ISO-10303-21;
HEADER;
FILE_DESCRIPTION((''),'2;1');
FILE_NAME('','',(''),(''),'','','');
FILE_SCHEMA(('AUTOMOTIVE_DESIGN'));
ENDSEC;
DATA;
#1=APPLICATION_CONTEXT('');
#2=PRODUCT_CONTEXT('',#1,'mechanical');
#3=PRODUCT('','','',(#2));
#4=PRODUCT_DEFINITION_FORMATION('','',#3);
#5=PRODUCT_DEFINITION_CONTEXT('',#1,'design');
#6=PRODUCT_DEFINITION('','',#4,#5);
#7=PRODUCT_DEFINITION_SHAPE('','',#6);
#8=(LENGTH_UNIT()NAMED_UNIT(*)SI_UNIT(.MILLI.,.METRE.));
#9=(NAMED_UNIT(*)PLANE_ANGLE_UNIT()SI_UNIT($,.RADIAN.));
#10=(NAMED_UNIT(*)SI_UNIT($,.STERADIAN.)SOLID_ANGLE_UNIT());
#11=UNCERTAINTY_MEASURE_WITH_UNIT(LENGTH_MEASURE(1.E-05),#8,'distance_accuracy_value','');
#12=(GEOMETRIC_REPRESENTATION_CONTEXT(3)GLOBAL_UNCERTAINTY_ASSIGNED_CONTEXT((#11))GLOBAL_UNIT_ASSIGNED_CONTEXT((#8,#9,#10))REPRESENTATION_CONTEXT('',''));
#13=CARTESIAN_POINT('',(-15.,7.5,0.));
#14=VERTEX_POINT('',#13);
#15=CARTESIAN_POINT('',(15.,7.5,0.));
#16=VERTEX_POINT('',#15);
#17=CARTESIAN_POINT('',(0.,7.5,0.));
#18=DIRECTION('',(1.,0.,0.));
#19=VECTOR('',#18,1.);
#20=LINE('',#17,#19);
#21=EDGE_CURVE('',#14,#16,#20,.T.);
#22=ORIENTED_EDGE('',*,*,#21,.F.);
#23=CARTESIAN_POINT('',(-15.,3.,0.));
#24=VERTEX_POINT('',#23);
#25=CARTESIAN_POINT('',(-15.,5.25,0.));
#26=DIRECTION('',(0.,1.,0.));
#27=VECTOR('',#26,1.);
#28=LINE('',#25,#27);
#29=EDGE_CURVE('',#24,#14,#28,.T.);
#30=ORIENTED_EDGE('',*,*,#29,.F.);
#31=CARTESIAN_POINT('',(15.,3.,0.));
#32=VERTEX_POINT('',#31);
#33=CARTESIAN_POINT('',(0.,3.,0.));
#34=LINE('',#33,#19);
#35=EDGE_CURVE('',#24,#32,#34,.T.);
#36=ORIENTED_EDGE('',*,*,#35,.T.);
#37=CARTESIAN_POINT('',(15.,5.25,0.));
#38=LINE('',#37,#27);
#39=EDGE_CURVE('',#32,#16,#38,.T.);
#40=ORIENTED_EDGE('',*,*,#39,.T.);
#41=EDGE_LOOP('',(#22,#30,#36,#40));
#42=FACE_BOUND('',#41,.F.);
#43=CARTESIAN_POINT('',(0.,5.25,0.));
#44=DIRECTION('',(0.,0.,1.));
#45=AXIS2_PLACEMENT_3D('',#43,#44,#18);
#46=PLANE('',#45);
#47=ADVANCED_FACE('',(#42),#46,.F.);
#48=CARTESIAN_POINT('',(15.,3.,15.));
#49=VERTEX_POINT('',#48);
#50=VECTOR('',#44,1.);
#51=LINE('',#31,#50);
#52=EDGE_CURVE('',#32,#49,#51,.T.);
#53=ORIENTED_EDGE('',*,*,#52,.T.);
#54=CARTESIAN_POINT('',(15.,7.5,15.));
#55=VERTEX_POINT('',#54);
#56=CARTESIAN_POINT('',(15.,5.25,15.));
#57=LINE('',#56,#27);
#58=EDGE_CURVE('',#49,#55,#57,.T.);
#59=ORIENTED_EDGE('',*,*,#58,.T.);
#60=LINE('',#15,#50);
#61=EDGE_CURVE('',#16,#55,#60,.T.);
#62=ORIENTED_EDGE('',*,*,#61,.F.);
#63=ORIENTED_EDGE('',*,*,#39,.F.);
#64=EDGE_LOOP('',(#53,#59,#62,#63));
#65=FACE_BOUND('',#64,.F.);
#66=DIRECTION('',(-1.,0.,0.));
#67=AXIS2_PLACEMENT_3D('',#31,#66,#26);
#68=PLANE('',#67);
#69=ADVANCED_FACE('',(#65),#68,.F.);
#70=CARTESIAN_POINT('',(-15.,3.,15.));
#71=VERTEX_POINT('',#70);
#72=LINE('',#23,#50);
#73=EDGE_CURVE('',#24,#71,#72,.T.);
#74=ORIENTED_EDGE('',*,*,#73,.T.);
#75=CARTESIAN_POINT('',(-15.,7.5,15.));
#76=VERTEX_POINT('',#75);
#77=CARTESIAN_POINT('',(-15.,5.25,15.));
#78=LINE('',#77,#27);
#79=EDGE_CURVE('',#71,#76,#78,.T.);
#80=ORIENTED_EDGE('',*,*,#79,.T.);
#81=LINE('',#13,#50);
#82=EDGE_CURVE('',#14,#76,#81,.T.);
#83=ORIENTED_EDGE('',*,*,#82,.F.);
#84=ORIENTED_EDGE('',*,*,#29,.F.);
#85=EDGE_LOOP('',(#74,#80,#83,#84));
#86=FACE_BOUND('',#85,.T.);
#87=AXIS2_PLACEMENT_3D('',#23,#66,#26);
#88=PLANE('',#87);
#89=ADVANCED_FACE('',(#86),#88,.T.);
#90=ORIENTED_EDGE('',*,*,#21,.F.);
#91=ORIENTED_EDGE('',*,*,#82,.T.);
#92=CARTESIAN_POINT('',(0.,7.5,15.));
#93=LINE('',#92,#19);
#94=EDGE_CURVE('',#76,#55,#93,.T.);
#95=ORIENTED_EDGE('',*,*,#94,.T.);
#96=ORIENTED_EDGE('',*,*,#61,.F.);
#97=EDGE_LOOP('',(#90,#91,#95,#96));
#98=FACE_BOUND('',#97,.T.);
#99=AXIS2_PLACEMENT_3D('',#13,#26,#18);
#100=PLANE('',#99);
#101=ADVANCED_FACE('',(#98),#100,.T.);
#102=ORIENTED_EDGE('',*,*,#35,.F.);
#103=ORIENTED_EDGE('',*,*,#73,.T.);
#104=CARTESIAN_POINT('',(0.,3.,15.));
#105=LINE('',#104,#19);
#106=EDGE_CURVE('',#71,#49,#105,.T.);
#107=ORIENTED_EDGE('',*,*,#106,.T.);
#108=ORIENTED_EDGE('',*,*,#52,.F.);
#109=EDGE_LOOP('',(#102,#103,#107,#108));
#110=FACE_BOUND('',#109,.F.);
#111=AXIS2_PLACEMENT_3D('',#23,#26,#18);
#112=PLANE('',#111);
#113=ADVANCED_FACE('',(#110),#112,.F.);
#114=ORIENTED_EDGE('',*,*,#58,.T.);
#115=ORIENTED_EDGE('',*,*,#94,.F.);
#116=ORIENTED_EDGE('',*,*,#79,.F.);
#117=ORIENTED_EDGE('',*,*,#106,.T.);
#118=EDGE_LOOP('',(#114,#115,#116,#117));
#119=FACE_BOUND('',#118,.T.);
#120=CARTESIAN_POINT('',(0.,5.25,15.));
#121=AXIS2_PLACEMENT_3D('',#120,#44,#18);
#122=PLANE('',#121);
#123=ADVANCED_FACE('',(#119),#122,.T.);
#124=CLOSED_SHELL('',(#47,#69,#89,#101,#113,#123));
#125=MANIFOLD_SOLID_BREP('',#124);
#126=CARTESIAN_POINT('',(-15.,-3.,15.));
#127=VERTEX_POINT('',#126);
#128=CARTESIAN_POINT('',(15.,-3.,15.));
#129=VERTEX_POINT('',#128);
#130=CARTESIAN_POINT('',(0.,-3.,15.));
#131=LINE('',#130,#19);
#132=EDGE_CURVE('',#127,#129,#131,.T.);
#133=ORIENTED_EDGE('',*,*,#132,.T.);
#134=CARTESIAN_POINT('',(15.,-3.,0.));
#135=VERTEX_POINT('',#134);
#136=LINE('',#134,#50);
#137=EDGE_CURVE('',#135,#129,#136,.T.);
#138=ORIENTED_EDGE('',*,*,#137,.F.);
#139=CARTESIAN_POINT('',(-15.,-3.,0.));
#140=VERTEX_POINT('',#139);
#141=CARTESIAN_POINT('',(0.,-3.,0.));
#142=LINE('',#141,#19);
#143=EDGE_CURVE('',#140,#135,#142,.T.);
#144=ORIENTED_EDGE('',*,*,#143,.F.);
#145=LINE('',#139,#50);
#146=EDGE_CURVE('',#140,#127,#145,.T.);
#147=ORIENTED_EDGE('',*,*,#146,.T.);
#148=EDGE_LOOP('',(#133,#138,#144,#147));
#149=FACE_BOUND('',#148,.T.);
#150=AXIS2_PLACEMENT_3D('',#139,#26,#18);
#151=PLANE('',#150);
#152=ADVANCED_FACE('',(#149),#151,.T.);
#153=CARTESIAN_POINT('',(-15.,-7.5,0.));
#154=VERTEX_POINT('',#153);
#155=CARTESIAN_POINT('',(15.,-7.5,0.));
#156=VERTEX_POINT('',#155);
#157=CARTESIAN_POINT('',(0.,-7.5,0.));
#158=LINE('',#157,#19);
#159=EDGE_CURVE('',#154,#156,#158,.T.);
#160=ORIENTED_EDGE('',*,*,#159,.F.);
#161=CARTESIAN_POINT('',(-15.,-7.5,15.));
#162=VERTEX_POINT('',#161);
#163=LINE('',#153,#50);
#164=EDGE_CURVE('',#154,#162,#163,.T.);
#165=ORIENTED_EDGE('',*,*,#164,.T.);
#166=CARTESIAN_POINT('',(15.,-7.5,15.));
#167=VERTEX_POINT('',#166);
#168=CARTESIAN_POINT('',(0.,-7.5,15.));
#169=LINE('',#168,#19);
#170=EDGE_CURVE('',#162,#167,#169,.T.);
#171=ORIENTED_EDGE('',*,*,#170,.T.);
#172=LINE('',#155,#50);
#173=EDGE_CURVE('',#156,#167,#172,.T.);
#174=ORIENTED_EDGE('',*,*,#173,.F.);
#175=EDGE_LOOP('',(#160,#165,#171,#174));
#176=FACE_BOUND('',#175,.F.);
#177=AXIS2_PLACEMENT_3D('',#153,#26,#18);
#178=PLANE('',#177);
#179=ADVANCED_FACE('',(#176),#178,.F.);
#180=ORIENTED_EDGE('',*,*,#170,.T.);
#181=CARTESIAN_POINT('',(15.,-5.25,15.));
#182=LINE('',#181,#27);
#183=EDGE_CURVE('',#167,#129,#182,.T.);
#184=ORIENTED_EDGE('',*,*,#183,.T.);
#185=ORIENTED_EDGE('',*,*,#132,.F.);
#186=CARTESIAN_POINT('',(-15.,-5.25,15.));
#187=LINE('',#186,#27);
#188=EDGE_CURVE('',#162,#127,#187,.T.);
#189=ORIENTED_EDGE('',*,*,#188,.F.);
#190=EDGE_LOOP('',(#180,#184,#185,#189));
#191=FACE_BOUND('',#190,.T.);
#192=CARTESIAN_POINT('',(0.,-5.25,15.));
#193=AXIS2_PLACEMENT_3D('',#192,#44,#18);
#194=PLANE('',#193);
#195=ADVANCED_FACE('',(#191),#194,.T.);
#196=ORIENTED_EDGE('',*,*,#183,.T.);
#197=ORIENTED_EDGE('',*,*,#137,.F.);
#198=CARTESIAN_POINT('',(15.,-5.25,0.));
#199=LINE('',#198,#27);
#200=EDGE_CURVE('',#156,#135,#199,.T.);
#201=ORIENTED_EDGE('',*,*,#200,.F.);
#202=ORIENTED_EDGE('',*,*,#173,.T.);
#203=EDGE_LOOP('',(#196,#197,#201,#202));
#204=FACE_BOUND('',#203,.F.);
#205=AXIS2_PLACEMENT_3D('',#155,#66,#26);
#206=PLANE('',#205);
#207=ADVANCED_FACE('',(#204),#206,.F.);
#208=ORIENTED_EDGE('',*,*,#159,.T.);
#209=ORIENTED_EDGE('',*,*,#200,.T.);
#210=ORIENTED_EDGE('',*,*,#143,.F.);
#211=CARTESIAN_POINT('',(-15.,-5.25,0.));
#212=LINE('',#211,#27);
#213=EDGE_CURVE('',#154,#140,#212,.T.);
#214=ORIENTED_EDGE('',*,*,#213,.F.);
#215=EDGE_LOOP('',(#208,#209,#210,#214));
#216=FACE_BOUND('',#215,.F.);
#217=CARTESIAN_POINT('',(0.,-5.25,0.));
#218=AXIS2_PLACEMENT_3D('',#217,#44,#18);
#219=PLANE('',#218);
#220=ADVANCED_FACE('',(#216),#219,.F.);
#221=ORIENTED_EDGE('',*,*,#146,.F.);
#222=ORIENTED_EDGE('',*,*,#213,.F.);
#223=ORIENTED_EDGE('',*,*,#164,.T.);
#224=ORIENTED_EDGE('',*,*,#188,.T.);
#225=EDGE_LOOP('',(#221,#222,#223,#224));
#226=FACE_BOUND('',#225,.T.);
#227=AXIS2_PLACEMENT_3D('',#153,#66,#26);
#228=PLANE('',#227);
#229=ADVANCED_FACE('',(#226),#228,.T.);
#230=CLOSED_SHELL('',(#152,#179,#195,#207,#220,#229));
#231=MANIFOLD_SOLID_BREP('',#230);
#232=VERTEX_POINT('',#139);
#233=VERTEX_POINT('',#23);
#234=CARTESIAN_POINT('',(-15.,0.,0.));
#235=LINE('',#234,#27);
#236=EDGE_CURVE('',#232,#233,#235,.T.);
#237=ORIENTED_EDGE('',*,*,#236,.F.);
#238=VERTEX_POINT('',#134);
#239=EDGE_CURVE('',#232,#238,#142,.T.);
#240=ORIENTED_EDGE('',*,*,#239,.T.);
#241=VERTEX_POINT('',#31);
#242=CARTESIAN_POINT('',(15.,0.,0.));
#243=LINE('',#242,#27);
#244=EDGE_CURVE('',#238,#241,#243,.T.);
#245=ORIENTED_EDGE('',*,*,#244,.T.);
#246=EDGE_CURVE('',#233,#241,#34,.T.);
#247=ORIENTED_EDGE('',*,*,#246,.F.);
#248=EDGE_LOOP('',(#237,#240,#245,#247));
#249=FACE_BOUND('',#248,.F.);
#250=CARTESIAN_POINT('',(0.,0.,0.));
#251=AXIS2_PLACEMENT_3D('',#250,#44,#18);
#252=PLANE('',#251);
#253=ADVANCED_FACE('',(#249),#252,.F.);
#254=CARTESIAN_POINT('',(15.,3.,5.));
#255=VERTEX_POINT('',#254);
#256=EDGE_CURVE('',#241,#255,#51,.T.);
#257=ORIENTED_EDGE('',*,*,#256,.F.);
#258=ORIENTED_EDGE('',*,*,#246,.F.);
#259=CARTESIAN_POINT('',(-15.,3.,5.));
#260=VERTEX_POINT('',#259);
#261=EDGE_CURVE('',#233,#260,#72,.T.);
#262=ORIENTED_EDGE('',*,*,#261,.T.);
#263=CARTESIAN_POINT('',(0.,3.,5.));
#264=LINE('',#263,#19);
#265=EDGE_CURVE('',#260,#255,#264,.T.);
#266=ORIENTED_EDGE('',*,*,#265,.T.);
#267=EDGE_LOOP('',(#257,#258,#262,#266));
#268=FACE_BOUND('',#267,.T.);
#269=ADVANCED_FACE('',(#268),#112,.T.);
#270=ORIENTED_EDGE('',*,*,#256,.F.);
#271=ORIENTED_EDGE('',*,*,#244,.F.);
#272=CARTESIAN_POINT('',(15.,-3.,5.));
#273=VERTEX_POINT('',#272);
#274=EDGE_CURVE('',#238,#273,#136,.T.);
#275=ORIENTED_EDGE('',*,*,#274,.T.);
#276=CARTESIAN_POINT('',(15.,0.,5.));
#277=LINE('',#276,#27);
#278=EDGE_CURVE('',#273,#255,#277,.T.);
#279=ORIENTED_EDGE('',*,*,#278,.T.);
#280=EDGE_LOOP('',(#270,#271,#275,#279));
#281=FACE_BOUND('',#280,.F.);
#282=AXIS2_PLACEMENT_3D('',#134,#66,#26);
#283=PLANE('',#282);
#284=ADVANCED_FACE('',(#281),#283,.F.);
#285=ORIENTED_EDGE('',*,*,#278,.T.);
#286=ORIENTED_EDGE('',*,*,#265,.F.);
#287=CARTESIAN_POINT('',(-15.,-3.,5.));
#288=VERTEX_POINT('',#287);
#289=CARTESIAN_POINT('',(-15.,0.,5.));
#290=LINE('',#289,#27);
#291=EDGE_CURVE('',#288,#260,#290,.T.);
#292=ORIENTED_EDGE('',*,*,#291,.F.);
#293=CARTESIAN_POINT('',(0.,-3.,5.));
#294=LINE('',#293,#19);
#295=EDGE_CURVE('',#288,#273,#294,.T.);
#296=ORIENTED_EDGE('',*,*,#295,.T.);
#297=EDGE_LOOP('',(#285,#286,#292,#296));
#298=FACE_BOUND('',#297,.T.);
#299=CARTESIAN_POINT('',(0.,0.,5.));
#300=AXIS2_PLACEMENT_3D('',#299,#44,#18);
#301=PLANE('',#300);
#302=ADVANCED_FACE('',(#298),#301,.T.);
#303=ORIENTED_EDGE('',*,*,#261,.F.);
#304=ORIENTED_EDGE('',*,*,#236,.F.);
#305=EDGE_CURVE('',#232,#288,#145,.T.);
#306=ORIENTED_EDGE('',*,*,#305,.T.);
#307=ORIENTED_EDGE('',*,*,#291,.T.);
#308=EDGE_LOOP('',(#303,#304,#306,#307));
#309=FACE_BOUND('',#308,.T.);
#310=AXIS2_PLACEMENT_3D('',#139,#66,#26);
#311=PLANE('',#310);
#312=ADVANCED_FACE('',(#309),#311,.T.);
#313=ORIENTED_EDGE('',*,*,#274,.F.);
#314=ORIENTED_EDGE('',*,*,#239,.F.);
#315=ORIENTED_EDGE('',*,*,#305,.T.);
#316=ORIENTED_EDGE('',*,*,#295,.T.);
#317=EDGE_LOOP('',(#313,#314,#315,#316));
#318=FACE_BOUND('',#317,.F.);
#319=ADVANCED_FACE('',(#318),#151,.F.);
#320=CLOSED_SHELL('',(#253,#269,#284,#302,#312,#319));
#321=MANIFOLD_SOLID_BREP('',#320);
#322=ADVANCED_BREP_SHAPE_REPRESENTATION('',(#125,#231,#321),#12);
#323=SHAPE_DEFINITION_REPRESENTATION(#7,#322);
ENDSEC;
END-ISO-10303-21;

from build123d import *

# Parameters (mm, degrees)
F0_W     = 30
F0_H     = 4.5
F1_DEPTH = 15
F0_H_2   = 6
F2_DEPTH = 5


with BuildPart() as f1:
    # F0 (on Top) → F1 (new body)
    with BuildSketch(Plane.XY):
        with Locations((0, 5.25)):
            Rectangle(F0_W, F0_H)
        with Locations((0, -5.25)):
            Rectangle(F0_W, F0_H)
    extrude(amount=F1_DEPTH)


with BuildPart() as f2:
    # F0 (on Top) → F2 (new body)
    with BuildSketch(Plane.XY):
        Rectangle(F0_W, F0_H_2)
    extrude(amount=F2_DEPTH)


solid = Compound([f1.part, f2.part])
